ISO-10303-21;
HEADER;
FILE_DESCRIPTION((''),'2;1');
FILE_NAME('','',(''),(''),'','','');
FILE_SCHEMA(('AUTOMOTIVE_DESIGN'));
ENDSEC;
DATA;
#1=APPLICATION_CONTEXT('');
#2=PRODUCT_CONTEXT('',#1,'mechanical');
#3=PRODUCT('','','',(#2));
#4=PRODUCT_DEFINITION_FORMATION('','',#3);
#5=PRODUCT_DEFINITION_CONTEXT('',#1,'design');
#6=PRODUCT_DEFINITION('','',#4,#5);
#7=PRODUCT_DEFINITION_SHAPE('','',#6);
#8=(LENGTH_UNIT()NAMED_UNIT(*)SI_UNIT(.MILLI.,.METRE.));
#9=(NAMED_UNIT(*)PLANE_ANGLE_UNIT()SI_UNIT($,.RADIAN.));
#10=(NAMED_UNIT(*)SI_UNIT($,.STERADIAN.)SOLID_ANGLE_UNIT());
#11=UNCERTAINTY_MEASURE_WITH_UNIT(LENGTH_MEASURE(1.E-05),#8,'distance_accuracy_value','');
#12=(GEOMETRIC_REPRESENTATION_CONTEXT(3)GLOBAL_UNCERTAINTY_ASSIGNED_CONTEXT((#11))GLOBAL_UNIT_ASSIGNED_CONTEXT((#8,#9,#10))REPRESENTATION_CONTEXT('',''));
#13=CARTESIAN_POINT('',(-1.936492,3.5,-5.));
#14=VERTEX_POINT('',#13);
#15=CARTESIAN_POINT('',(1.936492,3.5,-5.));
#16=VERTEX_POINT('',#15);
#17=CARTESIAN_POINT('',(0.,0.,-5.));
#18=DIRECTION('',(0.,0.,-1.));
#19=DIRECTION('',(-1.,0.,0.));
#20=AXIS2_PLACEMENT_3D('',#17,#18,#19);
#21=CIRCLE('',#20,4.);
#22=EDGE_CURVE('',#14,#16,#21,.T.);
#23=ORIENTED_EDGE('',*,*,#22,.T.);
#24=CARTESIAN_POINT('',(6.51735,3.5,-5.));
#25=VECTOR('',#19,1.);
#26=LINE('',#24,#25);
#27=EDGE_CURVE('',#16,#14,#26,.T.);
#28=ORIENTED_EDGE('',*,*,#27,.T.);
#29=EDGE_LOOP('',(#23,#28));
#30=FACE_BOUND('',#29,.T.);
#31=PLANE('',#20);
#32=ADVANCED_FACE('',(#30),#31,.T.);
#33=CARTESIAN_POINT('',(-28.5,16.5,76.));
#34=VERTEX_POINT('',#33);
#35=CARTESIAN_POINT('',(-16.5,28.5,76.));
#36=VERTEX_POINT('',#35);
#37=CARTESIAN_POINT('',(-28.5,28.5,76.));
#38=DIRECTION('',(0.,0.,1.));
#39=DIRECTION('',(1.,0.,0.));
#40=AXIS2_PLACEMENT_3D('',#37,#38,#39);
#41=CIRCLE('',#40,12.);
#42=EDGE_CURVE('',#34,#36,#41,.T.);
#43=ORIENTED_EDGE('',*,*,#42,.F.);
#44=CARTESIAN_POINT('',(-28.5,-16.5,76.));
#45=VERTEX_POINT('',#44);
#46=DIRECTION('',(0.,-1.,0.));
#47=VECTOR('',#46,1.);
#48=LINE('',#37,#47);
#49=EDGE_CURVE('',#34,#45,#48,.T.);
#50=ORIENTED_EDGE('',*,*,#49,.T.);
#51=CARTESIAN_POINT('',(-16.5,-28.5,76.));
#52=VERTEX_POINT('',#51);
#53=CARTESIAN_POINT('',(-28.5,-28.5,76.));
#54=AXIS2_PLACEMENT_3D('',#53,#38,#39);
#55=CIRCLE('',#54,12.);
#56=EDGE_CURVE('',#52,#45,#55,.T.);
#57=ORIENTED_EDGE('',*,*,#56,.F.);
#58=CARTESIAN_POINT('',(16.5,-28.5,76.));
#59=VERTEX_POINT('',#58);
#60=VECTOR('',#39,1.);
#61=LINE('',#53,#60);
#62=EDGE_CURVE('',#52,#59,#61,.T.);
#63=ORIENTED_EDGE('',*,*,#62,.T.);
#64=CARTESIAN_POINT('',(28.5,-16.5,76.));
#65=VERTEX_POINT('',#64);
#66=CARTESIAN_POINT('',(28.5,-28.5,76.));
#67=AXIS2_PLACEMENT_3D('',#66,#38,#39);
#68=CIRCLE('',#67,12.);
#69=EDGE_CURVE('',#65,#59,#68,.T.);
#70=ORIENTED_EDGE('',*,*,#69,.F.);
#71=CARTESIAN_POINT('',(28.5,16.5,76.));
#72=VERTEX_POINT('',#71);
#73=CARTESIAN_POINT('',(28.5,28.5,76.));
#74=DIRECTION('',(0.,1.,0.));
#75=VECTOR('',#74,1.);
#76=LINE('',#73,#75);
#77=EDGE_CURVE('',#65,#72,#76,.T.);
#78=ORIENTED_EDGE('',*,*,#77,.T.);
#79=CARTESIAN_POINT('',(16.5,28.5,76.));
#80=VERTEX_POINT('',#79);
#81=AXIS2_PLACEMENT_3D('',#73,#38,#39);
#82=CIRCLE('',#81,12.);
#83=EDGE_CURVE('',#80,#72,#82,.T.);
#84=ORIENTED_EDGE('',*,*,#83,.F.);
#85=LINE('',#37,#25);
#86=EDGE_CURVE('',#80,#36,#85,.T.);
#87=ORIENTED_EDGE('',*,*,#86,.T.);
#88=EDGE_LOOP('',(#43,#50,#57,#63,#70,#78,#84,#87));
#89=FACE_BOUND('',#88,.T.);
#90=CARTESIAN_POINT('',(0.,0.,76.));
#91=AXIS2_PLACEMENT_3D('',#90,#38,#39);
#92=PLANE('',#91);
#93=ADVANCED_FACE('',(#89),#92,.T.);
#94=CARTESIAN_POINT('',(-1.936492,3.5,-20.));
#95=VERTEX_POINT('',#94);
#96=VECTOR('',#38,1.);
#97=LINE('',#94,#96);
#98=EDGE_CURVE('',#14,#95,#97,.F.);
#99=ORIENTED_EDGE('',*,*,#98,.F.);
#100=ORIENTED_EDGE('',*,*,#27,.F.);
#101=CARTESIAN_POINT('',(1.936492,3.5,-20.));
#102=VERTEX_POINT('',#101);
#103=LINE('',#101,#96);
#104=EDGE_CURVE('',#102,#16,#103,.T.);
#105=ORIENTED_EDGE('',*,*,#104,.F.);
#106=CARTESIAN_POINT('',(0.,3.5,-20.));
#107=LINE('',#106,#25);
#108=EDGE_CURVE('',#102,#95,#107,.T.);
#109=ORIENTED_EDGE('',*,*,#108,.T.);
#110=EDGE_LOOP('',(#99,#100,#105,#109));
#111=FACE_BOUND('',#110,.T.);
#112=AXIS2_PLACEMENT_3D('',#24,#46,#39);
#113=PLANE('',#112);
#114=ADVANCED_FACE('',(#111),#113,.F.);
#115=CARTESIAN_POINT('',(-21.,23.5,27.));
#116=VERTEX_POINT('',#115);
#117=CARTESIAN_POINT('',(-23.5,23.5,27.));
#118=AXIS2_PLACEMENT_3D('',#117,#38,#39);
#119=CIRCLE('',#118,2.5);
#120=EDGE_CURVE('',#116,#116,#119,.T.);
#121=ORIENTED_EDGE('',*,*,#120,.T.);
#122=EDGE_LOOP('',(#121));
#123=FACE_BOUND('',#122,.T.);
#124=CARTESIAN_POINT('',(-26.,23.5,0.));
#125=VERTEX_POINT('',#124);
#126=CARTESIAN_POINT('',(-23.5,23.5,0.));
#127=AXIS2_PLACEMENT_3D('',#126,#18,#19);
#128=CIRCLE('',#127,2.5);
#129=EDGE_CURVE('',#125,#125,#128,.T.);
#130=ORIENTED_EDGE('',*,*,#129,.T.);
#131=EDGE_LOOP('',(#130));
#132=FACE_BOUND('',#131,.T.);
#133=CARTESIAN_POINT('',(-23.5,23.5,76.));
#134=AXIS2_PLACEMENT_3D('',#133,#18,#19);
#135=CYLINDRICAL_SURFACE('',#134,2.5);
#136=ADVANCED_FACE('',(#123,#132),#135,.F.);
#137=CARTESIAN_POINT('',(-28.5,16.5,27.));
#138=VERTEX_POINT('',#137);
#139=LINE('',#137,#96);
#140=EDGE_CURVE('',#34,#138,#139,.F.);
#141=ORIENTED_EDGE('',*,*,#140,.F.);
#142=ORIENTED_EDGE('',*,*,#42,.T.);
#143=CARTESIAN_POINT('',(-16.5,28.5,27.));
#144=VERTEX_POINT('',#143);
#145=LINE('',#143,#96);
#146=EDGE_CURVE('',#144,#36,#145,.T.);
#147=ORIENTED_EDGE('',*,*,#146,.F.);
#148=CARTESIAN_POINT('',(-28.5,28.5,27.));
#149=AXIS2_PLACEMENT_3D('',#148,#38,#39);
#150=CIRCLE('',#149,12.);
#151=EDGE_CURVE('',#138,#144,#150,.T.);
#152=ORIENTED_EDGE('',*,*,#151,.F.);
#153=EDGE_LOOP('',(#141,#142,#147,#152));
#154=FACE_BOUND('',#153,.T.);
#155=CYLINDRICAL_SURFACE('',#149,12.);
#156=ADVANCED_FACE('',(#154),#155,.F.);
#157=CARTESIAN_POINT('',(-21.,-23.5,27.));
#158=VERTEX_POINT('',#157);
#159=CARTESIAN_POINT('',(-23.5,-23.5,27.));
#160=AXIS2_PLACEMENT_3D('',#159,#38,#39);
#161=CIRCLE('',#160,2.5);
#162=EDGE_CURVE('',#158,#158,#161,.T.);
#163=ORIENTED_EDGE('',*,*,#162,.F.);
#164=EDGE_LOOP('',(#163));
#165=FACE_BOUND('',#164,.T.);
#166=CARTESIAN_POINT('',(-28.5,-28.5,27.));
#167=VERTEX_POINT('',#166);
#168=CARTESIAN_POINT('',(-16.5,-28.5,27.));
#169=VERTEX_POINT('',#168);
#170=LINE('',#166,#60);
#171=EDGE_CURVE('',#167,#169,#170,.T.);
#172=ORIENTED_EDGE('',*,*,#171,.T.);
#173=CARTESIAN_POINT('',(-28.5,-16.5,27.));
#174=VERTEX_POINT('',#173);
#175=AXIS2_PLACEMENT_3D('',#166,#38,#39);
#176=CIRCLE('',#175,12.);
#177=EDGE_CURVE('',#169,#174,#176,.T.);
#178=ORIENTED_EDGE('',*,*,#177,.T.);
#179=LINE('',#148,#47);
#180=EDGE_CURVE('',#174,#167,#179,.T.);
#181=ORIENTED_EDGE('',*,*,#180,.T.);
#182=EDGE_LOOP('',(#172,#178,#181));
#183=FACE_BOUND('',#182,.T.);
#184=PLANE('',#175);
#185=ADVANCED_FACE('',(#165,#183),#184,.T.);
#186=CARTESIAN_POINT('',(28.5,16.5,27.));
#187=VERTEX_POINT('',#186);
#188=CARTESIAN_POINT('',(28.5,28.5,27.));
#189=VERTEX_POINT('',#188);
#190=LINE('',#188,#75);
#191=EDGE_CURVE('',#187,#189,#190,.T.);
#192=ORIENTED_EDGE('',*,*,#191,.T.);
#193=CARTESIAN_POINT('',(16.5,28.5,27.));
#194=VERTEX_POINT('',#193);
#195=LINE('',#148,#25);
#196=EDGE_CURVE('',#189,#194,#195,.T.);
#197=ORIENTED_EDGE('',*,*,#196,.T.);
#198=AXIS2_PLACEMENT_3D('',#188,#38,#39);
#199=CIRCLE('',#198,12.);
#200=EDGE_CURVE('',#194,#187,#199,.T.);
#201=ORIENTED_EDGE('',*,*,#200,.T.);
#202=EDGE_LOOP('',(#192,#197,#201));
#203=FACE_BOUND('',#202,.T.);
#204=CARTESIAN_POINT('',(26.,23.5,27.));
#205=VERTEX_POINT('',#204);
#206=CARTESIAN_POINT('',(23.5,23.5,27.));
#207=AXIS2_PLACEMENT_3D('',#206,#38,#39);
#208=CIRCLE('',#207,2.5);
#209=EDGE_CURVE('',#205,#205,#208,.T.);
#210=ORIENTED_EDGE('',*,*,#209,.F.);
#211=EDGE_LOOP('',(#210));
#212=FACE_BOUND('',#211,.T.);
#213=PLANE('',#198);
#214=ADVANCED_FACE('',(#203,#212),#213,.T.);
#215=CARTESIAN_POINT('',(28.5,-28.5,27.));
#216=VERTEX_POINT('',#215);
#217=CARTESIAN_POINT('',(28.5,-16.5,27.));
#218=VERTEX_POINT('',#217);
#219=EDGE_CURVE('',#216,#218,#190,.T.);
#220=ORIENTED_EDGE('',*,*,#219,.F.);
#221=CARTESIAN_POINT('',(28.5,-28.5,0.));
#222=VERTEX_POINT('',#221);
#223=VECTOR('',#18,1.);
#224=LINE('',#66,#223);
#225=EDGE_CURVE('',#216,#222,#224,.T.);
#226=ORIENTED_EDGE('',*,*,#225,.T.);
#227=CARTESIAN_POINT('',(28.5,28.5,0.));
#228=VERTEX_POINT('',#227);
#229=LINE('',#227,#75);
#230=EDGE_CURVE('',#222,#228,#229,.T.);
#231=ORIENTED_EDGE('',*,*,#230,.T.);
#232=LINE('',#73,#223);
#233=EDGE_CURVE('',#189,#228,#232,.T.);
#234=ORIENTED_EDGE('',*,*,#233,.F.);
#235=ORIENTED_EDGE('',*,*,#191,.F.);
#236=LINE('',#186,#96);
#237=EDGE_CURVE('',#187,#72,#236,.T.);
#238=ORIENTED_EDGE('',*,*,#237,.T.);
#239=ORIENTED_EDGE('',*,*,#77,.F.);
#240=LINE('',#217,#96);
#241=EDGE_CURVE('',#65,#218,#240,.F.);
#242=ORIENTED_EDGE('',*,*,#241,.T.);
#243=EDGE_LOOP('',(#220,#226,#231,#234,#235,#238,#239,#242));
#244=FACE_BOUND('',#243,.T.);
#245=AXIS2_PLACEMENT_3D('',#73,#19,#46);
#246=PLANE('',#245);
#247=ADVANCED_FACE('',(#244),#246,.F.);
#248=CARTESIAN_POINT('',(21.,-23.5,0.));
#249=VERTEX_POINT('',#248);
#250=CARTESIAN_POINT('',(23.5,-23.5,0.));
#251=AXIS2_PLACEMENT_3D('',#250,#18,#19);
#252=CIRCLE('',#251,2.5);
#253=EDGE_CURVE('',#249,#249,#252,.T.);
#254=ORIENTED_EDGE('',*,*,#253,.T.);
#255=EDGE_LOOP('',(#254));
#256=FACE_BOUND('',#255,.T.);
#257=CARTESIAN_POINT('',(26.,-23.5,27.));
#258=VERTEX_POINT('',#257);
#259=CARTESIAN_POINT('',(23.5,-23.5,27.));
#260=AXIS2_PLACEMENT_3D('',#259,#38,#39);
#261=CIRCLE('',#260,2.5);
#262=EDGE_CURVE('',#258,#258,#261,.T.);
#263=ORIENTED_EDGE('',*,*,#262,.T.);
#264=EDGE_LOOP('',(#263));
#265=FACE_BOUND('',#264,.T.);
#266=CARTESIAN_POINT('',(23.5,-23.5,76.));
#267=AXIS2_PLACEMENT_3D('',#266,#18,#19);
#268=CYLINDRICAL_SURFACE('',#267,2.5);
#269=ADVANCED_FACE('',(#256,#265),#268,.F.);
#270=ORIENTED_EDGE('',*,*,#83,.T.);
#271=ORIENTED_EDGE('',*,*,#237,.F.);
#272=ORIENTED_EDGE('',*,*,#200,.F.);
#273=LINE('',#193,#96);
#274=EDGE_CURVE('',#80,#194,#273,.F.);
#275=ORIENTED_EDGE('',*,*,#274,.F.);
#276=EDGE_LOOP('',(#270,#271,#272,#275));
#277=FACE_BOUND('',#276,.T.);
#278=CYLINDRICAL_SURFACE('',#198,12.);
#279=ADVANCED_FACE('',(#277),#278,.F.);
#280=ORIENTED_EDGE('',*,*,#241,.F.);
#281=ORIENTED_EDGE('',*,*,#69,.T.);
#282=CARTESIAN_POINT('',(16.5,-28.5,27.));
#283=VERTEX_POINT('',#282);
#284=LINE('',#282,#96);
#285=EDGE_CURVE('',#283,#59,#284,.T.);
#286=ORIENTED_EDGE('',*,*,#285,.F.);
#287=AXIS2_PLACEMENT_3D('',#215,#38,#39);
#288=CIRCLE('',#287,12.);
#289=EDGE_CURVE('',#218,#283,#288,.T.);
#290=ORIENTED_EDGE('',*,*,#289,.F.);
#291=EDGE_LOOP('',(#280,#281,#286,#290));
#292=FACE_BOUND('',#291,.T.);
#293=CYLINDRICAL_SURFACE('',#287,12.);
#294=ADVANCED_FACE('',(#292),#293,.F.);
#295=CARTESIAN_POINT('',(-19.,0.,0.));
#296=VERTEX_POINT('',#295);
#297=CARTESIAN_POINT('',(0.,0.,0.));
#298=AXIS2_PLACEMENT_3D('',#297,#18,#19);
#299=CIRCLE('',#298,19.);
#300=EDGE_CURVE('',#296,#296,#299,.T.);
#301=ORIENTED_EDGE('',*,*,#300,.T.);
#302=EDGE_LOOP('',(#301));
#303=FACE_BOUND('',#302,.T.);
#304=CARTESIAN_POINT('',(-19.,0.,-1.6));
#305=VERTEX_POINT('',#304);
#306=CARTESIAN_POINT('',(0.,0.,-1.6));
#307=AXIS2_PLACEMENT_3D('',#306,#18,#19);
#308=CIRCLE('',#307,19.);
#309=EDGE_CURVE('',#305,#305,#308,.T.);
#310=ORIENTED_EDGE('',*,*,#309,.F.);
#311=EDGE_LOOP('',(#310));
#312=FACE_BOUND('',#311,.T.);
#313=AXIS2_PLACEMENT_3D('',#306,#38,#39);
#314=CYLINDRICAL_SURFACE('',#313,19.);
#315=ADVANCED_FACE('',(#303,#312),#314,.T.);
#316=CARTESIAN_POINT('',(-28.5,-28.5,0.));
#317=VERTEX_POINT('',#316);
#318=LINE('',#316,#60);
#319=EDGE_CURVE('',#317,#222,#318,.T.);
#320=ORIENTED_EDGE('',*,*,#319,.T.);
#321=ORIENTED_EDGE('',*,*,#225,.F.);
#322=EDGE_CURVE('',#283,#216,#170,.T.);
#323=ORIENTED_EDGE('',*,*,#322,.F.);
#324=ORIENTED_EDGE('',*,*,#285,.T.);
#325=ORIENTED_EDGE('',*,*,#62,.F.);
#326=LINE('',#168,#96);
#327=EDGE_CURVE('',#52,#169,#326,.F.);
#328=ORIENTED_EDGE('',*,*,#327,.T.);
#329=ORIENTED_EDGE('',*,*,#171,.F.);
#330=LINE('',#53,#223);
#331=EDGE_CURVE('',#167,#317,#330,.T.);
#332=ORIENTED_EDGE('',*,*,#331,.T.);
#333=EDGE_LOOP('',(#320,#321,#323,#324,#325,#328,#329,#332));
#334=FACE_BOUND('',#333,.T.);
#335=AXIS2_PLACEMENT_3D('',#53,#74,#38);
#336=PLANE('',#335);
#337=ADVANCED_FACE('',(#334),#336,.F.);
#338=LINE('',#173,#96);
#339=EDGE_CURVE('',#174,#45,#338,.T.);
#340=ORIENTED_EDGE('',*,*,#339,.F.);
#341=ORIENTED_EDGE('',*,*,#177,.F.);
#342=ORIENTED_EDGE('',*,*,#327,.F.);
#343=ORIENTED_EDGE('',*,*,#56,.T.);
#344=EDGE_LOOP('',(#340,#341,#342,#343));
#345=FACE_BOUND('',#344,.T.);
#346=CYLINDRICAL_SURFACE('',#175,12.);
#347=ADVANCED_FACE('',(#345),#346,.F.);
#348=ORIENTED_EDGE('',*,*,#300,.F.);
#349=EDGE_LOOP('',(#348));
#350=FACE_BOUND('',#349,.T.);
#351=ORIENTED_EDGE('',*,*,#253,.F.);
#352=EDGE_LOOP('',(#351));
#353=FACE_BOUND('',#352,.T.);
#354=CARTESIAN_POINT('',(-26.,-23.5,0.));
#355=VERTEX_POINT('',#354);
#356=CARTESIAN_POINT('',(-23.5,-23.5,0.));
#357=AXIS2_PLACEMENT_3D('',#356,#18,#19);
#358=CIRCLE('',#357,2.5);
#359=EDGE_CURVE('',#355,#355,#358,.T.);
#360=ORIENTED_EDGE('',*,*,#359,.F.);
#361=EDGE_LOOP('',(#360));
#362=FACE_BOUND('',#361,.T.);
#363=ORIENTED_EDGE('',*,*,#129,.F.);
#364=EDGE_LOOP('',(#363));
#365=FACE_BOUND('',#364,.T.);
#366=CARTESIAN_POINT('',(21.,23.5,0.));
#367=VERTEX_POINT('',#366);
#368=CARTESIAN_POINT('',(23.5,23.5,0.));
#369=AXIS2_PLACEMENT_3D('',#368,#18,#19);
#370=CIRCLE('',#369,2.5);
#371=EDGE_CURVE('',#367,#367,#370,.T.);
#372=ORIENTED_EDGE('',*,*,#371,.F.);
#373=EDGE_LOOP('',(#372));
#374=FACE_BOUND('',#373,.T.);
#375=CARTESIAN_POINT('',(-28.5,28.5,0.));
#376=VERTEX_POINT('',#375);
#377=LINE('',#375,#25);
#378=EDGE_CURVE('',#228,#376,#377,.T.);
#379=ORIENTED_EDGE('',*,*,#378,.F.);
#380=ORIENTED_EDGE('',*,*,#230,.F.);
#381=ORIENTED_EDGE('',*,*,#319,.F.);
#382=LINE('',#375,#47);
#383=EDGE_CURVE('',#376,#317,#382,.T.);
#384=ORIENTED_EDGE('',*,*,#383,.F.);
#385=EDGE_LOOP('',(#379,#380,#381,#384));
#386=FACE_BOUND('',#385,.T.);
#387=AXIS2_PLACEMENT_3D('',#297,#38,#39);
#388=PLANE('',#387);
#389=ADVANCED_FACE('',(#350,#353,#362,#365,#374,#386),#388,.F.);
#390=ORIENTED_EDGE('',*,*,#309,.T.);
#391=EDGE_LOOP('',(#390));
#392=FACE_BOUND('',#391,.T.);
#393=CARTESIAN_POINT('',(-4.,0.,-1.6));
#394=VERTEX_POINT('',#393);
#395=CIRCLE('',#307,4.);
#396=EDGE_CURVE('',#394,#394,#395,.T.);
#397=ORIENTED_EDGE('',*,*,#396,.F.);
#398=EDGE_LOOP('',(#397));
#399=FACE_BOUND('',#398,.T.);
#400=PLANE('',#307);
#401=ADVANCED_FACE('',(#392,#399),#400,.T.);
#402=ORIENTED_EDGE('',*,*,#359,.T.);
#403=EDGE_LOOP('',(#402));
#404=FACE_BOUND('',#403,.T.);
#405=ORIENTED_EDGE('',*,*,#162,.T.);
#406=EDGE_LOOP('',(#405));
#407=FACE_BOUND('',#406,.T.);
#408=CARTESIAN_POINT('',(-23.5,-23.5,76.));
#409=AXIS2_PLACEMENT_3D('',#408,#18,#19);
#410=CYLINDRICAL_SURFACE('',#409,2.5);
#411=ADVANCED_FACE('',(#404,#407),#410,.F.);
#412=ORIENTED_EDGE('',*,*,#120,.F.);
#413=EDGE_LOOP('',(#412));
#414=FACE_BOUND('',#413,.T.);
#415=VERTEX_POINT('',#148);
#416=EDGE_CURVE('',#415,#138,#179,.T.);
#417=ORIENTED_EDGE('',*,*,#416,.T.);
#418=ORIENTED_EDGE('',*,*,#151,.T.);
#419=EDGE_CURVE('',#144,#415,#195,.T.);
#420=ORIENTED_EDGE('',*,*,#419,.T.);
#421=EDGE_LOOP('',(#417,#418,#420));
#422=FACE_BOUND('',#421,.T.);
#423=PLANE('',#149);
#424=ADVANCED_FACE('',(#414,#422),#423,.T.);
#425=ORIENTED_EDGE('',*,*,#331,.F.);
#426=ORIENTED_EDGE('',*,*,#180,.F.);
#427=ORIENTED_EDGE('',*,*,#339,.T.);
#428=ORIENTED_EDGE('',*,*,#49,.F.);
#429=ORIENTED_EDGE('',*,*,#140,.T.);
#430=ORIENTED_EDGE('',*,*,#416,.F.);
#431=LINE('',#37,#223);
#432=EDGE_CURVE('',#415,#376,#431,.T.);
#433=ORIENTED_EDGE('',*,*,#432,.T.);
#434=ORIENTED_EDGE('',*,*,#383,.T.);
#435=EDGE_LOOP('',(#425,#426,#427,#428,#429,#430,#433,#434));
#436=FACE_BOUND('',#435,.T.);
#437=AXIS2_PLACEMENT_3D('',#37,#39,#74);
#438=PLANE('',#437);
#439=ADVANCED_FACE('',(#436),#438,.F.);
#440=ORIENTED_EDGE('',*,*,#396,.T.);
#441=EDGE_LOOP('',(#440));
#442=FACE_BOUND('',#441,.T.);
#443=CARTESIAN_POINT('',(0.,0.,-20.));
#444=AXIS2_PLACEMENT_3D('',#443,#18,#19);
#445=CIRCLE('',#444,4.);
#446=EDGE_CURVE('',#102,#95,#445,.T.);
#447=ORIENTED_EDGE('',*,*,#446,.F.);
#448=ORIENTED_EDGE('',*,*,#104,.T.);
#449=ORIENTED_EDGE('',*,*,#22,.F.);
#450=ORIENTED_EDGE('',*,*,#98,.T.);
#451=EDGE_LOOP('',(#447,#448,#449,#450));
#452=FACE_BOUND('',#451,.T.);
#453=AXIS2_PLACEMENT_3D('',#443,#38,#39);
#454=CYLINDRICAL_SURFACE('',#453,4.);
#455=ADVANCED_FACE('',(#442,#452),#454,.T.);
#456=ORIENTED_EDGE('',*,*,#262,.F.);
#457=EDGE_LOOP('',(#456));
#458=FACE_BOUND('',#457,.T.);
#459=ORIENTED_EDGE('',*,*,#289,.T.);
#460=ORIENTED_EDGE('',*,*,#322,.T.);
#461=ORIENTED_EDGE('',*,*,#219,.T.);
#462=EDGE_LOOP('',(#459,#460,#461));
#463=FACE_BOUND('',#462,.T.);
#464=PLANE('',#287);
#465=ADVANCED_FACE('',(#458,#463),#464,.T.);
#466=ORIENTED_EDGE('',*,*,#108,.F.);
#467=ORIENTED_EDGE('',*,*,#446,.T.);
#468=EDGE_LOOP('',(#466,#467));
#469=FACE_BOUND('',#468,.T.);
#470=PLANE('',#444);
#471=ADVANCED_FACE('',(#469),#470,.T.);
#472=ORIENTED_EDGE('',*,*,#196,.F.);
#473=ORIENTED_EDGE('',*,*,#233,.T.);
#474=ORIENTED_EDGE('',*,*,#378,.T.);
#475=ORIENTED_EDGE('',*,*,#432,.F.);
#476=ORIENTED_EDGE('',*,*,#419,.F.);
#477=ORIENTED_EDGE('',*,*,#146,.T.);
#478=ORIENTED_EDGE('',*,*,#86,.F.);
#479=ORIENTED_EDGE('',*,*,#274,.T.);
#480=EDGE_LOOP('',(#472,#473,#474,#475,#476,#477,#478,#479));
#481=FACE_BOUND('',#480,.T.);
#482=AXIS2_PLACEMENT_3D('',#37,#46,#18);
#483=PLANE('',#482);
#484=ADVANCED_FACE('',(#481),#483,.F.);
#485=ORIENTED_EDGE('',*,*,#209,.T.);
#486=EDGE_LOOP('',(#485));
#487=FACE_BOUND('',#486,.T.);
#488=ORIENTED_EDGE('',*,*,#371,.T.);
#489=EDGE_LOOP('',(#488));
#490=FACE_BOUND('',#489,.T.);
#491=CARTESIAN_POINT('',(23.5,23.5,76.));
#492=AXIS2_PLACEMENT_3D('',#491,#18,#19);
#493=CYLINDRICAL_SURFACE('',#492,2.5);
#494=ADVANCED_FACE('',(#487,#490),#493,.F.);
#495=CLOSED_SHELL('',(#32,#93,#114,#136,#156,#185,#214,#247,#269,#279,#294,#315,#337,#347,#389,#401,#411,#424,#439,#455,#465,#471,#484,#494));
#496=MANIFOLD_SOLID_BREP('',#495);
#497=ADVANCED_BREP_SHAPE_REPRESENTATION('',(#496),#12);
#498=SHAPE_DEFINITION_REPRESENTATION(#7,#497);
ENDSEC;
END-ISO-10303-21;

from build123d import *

# Parameters (mm, degrees)
SKETCH_1_W          = 57
SKETCH_1_H          = 57
EXTRUDE_1_DEPTH     = 76
SKETCH_2_R          = 12
CUT_EXTRUDE_1_DEPTH = 49
SKETCH_3_R          = 2.5
CUT_EXTRUDE_2_DEPTH = 87.026158812
SKETCH_4_R          = 19
EXTRUDE_2_DEPTH     = 1.6
SKETCH_5_R          = 4
EXTRUDE_3_DEPTH     = 18.4
SKETCH_6_W          = 13.034699884
SKETCH_6_H          = 1
CUT_EXTRUDE_3_DEPTH = 15


with BuildPart() as part:
    # 草图1 → 凸台-拉伸1 (new body)
    with BuildSketch(Plane.XY):
        Rectangle(SKETCH_1_W, SKETCH_1_H)
    extrude(amount=EXTRUDE_1_DEPTH)

    # 草图2 → 切除-拉伸1 (cut)
    with BuildSketch(Plane.XY.offset(76)):
        with Locations((-28.5, 28.5)):
            Circle(SKETCH_2_R)
        with Locations((28.5, 28.5)):
            Circle(SKETCH_2_R)
        with Locations((-28.5, -28.5)):
            Circle(SKETCH_2_R)
        with Locations((28.5, -28.5)):
            Circle(SKETCH_2_R)
    extrude(amount=-CUT_EXTRUDE_1_DEPTH, mode=Mode.SUBTRACT)

    # 草图3 → 切除-拉伸2 (cut, through all)
    with BuildSketch(Plane(origin=(0, 0, 0), x_dir=(-1, 0, 0), z_dir=(0, 0, -1))):
        with Locations((-23.5, 23.5)):
            Circle(SKETCH_3_R)
        with Locations((23.5, 23.5)):
            Circle(SKETCH_3_R)
        with Locations((-23.5, -23.5)):
            Circle(SKETCH_3_R)
        with Locations((23.5, -23.5)):
            Circle(SKETCH_3_R)
    extrude(amount=-CUT_EXTRUDE_2_DEPTH, mode=Mode.SUBTRACT)

    # 草图4 → 凸台-拉伸2 (add)
    with BuildSketch(Plane(origin=(0, 0, 0), x_dir=(-1, 0, 0), z_dir=(0, 0, -1))):
        Circle(SKETCH_4_R)
    extrude(amount=EXTRUDE_2_DEPTH)

    # 草图5 → 凸台-拉伸3 (add)
    with BuildSketch(Plane(origin=(0, 0, -1.6), x_dir=(-1, 0, 0), z_dir=(0, 0, -1))):
        Circle(SKETCH_5_R)
    extrude(amount=EXTRUDE_3_DEPTH)

    # 草图6 → 切除-拉伸3 (cut)
    with BuildSketch(Plane(origin=(0, 0, -20), x_dir=(-1, 0, 0), z_dir=(0, 0, -1))):
        with Locations((0, 4)):
            Rectangle(SKETCH_6_W, SKETCH_6_H)
    extrude(amount=-CUT_EXTRUDE_3_DEPTH, mode=Mode.SUBTRACT)


solid = part.part
